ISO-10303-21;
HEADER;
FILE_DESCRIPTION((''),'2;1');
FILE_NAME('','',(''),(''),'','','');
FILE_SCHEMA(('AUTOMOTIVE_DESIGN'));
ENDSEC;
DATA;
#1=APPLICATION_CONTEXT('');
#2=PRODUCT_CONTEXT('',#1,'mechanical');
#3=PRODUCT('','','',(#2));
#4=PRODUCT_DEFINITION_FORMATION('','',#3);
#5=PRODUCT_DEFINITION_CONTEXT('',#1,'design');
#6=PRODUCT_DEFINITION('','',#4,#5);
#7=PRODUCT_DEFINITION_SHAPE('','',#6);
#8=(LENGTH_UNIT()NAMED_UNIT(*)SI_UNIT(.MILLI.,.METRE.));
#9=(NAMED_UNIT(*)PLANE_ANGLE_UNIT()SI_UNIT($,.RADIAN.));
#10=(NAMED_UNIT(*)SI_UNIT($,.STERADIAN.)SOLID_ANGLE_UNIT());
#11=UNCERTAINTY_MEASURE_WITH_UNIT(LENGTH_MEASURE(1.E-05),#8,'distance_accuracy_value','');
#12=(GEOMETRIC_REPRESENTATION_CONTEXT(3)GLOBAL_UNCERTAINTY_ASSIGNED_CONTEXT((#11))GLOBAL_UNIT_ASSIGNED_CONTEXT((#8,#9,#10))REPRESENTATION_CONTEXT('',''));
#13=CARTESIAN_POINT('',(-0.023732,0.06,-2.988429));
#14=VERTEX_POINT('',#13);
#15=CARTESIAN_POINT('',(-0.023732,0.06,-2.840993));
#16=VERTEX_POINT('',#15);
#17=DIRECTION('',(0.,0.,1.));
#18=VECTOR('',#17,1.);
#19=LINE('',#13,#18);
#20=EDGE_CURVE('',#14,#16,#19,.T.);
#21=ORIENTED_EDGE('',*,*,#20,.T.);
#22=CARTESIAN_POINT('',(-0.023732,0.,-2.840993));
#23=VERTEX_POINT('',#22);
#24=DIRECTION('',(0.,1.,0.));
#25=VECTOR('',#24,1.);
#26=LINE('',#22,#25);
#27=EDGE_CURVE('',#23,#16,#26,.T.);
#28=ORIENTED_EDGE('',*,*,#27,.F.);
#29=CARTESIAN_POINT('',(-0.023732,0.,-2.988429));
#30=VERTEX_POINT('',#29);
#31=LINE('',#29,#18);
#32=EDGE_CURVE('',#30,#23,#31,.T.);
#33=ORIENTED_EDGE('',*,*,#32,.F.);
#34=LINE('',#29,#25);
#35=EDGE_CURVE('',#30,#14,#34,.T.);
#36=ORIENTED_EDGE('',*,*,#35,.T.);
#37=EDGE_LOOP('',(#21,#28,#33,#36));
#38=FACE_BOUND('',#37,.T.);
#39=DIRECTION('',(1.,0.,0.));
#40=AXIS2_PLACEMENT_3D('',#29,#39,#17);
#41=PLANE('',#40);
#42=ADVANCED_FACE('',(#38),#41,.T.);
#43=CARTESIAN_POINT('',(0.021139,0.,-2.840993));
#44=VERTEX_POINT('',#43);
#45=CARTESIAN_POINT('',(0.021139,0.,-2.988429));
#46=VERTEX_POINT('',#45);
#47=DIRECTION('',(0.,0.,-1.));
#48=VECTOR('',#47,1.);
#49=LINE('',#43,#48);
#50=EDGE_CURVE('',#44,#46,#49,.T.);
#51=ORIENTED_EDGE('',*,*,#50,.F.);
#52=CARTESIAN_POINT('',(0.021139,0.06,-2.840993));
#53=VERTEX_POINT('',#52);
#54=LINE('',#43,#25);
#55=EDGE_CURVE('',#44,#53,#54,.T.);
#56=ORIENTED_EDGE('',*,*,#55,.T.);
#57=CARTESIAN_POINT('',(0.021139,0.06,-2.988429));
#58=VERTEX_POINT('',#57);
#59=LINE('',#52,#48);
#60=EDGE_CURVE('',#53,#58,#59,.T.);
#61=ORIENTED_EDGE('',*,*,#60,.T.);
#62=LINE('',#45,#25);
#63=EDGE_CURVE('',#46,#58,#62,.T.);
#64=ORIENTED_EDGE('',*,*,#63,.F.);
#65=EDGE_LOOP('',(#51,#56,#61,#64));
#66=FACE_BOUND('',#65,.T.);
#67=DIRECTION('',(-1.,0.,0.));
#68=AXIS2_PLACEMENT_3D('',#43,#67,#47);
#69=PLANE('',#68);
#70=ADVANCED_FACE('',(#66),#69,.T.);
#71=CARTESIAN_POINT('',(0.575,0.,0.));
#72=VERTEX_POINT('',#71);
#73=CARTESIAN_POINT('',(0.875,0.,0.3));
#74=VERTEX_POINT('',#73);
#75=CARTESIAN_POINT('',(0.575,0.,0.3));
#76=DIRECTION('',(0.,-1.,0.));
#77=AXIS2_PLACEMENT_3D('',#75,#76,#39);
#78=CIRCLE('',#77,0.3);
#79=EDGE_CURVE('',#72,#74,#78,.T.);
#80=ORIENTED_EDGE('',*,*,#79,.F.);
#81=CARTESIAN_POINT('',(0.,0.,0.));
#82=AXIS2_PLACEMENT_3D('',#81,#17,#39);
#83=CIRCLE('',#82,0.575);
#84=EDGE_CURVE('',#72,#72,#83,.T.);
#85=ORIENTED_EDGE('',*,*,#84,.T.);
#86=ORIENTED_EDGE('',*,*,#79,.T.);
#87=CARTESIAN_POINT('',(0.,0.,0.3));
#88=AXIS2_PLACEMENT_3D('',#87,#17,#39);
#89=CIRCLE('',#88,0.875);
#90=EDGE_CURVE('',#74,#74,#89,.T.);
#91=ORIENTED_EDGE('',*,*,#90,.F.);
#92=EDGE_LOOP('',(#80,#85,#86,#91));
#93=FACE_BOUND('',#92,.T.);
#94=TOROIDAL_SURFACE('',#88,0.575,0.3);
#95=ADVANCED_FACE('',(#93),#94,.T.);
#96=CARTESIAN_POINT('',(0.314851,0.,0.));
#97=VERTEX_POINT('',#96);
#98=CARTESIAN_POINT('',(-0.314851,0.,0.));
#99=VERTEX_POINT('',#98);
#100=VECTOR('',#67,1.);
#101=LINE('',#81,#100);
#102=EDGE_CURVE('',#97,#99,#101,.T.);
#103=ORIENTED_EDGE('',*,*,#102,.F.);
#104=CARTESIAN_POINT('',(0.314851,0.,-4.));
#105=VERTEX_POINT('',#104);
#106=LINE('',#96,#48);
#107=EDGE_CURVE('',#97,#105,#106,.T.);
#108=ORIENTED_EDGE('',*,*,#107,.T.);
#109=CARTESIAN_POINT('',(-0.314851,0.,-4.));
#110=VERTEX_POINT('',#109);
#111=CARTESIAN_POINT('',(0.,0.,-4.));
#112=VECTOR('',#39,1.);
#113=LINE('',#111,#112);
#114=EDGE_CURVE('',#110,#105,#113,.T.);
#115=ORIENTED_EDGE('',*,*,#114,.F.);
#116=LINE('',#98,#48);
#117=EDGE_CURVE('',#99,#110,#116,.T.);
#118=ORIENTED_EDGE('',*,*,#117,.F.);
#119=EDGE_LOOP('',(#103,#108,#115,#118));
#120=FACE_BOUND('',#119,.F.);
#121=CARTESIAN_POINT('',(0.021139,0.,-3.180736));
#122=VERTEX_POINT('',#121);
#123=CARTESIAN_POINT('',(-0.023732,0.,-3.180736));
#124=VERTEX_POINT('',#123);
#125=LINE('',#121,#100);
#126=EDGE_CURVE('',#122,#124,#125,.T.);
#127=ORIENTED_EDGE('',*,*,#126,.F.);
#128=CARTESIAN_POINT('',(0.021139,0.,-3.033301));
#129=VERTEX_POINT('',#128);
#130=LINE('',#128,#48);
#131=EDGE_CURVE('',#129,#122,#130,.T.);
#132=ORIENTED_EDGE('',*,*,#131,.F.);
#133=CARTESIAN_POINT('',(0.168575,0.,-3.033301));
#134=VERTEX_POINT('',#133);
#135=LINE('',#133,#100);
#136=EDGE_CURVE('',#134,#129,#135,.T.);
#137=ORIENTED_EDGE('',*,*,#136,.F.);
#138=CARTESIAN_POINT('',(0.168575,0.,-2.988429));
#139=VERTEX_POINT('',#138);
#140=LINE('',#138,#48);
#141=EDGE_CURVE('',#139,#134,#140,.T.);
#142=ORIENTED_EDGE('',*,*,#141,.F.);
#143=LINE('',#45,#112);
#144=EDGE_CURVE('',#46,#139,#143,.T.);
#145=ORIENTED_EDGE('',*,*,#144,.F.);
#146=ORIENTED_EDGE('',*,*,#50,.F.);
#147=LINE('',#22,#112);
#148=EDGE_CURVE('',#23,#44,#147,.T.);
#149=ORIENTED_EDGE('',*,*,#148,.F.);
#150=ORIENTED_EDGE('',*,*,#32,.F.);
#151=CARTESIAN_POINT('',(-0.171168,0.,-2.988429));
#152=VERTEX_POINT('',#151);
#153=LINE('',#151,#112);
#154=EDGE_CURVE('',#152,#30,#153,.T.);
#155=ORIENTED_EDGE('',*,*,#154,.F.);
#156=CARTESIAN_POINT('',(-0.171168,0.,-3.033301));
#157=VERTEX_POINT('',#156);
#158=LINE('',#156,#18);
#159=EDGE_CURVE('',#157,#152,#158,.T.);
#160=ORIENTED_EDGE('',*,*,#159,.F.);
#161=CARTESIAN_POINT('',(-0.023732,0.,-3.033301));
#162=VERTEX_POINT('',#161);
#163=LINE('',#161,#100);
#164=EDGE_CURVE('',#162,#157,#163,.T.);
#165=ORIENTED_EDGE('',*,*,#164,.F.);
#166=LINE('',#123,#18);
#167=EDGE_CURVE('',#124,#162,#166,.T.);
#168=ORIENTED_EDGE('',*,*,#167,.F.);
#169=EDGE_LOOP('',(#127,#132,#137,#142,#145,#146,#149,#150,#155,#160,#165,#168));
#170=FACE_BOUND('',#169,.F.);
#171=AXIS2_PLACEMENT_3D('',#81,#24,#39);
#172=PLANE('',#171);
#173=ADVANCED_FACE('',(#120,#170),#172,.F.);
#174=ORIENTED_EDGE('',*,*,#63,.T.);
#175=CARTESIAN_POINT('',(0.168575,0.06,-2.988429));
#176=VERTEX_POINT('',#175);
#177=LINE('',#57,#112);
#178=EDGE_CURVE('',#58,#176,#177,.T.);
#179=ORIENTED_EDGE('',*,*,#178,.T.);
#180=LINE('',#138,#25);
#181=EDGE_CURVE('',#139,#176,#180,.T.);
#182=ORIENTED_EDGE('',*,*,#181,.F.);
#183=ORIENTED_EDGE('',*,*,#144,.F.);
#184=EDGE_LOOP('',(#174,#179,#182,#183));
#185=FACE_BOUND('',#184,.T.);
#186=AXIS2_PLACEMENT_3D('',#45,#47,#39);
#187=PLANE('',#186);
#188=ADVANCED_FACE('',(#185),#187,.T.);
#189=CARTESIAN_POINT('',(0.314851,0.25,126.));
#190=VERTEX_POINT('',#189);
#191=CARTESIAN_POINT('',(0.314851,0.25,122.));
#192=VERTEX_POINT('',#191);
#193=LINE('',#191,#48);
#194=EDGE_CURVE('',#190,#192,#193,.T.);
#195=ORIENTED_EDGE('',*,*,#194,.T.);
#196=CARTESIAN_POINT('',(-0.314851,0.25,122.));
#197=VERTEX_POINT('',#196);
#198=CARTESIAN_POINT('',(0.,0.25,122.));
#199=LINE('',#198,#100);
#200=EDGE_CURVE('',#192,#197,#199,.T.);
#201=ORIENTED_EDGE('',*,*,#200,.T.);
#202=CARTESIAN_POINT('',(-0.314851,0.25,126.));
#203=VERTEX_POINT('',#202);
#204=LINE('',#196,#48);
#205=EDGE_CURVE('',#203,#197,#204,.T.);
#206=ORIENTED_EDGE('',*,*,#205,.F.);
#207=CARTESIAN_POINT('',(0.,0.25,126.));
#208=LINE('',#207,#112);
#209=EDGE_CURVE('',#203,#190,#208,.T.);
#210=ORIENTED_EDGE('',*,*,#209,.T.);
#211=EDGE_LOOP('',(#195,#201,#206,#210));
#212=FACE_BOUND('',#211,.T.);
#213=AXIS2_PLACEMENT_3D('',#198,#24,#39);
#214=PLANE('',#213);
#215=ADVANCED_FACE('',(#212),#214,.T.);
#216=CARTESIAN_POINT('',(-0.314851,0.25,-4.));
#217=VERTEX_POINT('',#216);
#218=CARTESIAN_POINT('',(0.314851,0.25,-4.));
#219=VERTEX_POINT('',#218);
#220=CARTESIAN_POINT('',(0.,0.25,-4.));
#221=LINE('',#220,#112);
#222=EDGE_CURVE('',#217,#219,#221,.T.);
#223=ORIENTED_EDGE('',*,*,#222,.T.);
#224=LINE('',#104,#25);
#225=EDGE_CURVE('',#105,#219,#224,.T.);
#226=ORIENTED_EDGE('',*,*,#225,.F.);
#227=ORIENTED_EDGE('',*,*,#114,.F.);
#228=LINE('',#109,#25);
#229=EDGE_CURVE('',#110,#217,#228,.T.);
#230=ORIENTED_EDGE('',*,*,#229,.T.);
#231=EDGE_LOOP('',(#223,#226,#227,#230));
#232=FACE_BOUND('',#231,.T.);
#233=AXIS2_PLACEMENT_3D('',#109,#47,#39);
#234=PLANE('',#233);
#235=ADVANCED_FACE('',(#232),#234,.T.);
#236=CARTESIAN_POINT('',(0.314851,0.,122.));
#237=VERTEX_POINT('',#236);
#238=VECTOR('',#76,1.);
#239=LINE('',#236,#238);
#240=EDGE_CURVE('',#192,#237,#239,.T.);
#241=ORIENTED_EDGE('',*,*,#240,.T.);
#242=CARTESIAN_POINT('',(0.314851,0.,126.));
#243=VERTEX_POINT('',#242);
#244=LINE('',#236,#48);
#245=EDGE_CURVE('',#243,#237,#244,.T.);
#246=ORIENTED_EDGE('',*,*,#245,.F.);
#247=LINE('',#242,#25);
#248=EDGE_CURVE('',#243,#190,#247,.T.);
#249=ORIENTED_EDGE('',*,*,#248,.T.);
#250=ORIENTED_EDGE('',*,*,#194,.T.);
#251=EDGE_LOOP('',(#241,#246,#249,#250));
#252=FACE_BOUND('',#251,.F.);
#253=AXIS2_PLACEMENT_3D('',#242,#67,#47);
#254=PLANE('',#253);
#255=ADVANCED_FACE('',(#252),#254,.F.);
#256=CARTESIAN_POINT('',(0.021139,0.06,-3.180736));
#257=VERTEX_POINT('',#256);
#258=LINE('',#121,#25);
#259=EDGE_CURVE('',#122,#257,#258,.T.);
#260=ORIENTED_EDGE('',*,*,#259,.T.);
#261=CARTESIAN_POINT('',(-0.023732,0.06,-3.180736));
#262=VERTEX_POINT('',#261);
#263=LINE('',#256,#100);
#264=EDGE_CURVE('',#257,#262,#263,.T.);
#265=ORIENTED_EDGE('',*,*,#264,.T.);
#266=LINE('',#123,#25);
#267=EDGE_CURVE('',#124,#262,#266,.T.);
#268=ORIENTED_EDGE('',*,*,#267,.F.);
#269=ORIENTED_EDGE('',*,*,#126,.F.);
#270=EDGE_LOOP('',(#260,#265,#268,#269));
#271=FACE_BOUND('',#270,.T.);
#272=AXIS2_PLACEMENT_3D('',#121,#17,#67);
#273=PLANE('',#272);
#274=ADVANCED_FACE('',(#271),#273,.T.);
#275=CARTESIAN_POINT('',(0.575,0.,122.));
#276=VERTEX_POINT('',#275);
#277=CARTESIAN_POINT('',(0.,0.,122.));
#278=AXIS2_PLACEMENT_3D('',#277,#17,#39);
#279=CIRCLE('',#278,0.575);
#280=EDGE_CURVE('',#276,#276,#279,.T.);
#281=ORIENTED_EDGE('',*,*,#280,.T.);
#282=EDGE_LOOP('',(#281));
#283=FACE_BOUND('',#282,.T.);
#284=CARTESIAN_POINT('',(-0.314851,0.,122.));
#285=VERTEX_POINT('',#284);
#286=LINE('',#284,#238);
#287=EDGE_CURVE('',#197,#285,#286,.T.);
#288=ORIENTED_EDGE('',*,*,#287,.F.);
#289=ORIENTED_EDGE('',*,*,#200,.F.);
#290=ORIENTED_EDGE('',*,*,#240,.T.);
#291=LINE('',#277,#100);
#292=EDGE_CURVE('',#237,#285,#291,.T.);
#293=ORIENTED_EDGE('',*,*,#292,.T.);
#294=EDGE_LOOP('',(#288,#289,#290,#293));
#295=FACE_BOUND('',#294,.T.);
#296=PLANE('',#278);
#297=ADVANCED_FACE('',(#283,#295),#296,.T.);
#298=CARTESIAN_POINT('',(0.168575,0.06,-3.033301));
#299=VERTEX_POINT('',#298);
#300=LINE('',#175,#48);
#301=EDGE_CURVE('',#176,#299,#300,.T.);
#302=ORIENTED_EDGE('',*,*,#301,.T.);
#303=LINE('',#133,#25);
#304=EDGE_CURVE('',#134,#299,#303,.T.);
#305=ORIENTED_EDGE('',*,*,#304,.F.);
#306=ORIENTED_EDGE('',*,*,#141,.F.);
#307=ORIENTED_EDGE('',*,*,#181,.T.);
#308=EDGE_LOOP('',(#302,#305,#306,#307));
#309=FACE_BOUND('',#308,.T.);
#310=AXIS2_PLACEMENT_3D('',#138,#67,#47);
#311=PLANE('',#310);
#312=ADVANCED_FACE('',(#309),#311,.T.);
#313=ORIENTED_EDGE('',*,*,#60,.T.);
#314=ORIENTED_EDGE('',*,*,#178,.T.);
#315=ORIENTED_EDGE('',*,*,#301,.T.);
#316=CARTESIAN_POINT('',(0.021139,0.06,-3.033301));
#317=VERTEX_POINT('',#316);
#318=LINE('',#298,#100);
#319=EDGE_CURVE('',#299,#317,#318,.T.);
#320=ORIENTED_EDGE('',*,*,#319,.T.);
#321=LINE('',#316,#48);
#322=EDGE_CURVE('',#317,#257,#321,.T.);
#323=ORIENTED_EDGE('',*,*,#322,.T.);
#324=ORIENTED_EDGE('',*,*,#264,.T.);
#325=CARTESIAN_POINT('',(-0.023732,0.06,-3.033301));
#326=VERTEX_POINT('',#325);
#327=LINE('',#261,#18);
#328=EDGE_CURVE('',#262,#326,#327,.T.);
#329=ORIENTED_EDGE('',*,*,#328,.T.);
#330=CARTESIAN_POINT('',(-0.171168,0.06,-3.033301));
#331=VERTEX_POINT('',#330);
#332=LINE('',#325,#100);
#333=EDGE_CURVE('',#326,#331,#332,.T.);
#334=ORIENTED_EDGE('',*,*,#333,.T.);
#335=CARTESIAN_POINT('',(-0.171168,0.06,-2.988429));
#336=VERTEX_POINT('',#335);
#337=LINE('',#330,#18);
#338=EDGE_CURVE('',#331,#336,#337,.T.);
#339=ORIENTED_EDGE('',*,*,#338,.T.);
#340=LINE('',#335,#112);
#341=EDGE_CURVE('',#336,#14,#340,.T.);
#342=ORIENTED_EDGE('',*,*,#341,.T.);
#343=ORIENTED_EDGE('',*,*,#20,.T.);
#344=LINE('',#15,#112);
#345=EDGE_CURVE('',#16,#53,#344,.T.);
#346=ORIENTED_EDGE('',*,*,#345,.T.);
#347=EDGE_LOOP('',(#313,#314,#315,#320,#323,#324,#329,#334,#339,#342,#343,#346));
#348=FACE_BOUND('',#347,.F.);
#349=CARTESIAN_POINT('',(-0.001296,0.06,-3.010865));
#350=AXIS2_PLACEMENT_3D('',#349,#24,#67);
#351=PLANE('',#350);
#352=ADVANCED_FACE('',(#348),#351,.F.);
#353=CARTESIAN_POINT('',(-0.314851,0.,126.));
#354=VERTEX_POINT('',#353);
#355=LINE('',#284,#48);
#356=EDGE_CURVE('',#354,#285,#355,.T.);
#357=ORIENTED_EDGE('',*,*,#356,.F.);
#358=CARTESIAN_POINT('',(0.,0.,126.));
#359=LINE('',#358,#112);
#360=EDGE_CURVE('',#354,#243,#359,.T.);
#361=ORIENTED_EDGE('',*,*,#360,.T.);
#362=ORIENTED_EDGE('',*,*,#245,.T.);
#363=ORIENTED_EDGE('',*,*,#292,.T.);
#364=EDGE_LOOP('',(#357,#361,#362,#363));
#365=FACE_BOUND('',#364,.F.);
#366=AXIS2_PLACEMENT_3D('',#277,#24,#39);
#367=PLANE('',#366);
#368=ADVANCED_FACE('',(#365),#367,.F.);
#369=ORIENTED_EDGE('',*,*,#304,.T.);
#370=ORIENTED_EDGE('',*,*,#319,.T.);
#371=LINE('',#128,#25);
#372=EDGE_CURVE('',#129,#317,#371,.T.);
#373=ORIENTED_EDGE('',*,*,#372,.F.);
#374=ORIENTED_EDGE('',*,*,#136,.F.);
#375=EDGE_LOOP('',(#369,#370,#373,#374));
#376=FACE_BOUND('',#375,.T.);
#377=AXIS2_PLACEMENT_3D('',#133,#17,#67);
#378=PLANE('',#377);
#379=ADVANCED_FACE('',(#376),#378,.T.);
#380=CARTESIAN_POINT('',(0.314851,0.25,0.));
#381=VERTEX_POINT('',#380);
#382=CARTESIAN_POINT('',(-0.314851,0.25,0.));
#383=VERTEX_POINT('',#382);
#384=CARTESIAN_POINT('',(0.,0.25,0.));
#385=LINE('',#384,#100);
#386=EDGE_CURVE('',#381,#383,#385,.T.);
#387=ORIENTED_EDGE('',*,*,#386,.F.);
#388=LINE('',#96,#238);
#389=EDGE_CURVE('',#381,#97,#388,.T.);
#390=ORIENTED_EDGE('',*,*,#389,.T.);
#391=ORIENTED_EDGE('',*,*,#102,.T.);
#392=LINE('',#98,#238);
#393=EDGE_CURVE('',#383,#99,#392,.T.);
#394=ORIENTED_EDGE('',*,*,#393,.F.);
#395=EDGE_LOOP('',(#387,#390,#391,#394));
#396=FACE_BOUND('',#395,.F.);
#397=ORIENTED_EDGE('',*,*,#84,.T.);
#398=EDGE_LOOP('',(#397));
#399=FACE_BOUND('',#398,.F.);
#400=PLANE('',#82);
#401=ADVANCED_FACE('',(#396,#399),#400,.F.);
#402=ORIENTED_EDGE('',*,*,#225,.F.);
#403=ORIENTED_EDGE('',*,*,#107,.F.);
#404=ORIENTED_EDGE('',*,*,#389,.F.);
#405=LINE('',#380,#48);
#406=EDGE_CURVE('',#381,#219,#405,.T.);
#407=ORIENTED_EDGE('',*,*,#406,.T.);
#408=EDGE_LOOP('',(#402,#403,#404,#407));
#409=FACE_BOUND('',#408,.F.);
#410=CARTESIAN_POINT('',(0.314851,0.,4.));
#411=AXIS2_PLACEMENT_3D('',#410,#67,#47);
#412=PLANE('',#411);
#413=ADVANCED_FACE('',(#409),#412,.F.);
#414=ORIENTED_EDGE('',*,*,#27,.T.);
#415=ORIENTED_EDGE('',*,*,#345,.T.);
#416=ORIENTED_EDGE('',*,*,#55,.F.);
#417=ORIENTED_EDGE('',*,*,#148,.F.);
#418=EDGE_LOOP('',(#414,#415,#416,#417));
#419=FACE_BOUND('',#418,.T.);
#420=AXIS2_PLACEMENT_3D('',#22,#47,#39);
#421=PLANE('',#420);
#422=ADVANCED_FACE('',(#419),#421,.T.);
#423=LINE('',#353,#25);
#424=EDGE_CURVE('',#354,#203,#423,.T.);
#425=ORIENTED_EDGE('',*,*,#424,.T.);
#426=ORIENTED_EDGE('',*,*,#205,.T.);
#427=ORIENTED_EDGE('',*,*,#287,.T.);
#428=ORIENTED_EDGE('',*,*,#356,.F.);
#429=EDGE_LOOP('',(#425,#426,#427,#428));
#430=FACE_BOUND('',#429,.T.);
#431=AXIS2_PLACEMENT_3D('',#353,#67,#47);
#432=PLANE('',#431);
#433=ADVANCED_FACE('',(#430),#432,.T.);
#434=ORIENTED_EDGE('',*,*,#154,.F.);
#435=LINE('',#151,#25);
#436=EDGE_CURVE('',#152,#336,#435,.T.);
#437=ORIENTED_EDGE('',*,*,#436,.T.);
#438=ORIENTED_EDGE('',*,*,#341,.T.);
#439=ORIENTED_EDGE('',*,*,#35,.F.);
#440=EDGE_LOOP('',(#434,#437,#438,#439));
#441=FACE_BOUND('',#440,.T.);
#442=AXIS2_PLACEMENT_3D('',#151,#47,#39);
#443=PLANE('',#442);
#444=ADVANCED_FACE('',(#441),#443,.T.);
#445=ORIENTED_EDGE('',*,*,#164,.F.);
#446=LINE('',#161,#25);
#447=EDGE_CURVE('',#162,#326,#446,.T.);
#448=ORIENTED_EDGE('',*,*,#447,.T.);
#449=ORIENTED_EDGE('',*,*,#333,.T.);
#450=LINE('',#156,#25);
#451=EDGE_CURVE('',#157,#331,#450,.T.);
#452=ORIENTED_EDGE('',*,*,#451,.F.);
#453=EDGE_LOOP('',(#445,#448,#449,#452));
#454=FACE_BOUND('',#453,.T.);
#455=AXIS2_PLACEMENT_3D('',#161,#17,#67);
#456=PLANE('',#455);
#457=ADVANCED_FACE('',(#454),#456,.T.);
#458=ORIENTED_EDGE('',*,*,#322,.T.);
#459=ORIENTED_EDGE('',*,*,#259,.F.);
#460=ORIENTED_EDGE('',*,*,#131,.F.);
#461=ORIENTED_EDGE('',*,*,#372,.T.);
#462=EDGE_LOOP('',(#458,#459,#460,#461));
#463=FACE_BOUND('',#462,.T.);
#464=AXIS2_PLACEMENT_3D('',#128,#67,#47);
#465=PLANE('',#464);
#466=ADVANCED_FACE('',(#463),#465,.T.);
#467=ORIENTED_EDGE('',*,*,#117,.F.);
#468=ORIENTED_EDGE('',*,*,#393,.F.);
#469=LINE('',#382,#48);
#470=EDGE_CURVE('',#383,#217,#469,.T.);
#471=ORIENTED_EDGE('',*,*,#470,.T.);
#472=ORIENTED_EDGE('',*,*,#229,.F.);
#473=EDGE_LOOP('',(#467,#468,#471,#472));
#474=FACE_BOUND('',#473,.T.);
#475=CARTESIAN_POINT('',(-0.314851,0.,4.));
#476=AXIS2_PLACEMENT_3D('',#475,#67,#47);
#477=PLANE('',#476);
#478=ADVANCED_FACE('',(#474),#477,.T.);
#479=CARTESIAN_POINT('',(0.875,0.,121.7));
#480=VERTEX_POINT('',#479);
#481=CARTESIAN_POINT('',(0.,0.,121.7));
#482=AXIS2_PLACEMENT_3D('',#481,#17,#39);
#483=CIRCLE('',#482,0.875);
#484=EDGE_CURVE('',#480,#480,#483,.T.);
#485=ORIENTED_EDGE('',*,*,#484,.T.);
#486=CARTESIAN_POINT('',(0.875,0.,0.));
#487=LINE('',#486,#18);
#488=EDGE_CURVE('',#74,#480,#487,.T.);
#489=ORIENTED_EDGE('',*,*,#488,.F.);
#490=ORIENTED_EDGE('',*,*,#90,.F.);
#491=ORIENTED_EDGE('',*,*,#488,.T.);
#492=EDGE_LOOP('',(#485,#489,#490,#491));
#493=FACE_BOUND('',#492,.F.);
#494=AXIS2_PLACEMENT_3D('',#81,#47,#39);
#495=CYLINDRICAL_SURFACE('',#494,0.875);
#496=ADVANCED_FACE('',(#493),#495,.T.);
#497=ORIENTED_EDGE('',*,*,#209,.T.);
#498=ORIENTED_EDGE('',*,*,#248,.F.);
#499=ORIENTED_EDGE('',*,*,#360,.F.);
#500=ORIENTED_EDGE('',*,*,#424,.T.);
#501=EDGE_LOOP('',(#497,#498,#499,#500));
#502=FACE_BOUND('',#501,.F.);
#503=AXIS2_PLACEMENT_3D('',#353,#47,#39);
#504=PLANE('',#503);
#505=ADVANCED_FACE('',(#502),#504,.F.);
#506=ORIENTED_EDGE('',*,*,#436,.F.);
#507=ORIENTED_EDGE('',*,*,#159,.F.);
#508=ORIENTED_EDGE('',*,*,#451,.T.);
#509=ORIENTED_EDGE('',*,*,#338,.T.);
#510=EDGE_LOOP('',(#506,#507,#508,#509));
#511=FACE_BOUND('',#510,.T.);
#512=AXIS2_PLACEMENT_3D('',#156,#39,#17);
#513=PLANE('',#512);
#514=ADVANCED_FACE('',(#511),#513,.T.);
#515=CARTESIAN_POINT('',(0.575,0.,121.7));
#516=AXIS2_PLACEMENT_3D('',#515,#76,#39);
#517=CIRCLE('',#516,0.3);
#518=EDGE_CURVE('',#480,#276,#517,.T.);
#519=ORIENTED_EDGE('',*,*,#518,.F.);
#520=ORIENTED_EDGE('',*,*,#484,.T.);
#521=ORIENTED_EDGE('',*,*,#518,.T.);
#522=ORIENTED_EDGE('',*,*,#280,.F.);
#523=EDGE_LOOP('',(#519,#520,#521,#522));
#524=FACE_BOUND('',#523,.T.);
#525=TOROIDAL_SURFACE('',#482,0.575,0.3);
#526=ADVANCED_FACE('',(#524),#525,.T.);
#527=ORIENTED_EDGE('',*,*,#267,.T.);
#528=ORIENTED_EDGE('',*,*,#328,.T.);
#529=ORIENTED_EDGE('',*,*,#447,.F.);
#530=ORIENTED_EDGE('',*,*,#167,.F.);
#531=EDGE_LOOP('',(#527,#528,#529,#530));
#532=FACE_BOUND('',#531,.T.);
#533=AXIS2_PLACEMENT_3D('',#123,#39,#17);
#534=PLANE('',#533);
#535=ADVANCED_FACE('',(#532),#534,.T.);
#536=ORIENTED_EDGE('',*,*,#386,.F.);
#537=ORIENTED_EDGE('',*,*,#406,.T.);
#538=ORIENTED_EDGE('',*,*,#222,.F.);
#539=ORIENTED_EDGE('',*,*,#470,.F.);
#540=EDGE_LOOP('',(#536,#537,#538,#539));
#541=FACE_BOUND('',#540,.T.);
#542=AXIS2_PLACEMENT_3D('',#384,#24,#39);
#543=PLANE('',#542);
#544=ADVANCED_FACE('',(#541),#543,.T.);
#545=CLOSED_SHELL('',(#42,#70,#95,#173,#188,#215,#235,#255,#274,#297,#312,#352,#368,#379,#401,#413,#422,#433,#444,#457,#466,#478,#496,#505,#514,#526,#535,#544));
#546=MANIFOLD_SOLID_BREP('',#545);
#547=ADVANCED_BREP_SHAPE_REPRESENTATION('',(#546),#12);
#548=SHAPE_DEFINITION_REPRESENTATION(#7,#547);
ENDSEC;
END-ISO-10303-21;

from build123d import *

# Parameters (mm, degrees)
ESQUISSE1_R             = 0.875
BOSS_EXTRU_1_DEPTH      = 122
ESQUISSE2_W             = 0.62970299
ESQUISSE2_H             = 8
BOSS_EXTRU_2_DEPTH      = 0.25
CONG_1_R                = 0.3
ENL_V_MAT_EXTRU_1_DEPTH = 0.06


with BuildPart() as part:
    # Esquisse1 → Boss.-Extru.1 (new body)
    with BuildSketch(Plane.XY):
        Circle(ESQUISSE1_R)
    extrude(amount=BOSS_EXTRU_1_DEPTH)

    # Esquisse2 → Boss.-Extru.2 (add)
    with BuildSketch(Plane(origin=(0, 0, 0), x_dir=(1, 0, 0), z_dir=(0, 1, 0))):
        Rectangle(ESQUISSE2_W, ESQUISSE2_H)
        with Locations((0, -122)):
            Rectangle(ESQUISSE2_W, ESQUISSE2_H)
    extrude(amount=BOSS_EXTRU_2_DEPTH)

    # Congé1
    cong_1_edges = [part.edges().sort_by_distance(p)[0] for p in [
        (-0.875, 0, 0),
        (-0.875, 0, 122),
    ]]
    fillet(cong_1_edges, radius=CONG_1_R)

    # Esquisse3 → Enlèv. mat.-Extru.1 (cut)
    with BuildSketch(Plane.XZ):
        Polygon((-0.023732379, -2.988428768), (-0.023732379, -2.840992871), (0.021139416, -2.840992871), (0.021139416, -2.988428768), (0.168575313, -2.988428768), (0.168575313, -3.033300563), (0.021139416, -3.033300563), (0.021139416, -3.18073646), (-0.023732379, -3.18073646), (-0.023732379, -3.033300563), (-0.171168277, -3.033300563), (-0.171168277, -2.988428768), align=None)
    extrude(amount=-ENL_V_MAT_EXTRU_1_DEPTH, mode=Mode.SUBTRACT)


solid = part.part
